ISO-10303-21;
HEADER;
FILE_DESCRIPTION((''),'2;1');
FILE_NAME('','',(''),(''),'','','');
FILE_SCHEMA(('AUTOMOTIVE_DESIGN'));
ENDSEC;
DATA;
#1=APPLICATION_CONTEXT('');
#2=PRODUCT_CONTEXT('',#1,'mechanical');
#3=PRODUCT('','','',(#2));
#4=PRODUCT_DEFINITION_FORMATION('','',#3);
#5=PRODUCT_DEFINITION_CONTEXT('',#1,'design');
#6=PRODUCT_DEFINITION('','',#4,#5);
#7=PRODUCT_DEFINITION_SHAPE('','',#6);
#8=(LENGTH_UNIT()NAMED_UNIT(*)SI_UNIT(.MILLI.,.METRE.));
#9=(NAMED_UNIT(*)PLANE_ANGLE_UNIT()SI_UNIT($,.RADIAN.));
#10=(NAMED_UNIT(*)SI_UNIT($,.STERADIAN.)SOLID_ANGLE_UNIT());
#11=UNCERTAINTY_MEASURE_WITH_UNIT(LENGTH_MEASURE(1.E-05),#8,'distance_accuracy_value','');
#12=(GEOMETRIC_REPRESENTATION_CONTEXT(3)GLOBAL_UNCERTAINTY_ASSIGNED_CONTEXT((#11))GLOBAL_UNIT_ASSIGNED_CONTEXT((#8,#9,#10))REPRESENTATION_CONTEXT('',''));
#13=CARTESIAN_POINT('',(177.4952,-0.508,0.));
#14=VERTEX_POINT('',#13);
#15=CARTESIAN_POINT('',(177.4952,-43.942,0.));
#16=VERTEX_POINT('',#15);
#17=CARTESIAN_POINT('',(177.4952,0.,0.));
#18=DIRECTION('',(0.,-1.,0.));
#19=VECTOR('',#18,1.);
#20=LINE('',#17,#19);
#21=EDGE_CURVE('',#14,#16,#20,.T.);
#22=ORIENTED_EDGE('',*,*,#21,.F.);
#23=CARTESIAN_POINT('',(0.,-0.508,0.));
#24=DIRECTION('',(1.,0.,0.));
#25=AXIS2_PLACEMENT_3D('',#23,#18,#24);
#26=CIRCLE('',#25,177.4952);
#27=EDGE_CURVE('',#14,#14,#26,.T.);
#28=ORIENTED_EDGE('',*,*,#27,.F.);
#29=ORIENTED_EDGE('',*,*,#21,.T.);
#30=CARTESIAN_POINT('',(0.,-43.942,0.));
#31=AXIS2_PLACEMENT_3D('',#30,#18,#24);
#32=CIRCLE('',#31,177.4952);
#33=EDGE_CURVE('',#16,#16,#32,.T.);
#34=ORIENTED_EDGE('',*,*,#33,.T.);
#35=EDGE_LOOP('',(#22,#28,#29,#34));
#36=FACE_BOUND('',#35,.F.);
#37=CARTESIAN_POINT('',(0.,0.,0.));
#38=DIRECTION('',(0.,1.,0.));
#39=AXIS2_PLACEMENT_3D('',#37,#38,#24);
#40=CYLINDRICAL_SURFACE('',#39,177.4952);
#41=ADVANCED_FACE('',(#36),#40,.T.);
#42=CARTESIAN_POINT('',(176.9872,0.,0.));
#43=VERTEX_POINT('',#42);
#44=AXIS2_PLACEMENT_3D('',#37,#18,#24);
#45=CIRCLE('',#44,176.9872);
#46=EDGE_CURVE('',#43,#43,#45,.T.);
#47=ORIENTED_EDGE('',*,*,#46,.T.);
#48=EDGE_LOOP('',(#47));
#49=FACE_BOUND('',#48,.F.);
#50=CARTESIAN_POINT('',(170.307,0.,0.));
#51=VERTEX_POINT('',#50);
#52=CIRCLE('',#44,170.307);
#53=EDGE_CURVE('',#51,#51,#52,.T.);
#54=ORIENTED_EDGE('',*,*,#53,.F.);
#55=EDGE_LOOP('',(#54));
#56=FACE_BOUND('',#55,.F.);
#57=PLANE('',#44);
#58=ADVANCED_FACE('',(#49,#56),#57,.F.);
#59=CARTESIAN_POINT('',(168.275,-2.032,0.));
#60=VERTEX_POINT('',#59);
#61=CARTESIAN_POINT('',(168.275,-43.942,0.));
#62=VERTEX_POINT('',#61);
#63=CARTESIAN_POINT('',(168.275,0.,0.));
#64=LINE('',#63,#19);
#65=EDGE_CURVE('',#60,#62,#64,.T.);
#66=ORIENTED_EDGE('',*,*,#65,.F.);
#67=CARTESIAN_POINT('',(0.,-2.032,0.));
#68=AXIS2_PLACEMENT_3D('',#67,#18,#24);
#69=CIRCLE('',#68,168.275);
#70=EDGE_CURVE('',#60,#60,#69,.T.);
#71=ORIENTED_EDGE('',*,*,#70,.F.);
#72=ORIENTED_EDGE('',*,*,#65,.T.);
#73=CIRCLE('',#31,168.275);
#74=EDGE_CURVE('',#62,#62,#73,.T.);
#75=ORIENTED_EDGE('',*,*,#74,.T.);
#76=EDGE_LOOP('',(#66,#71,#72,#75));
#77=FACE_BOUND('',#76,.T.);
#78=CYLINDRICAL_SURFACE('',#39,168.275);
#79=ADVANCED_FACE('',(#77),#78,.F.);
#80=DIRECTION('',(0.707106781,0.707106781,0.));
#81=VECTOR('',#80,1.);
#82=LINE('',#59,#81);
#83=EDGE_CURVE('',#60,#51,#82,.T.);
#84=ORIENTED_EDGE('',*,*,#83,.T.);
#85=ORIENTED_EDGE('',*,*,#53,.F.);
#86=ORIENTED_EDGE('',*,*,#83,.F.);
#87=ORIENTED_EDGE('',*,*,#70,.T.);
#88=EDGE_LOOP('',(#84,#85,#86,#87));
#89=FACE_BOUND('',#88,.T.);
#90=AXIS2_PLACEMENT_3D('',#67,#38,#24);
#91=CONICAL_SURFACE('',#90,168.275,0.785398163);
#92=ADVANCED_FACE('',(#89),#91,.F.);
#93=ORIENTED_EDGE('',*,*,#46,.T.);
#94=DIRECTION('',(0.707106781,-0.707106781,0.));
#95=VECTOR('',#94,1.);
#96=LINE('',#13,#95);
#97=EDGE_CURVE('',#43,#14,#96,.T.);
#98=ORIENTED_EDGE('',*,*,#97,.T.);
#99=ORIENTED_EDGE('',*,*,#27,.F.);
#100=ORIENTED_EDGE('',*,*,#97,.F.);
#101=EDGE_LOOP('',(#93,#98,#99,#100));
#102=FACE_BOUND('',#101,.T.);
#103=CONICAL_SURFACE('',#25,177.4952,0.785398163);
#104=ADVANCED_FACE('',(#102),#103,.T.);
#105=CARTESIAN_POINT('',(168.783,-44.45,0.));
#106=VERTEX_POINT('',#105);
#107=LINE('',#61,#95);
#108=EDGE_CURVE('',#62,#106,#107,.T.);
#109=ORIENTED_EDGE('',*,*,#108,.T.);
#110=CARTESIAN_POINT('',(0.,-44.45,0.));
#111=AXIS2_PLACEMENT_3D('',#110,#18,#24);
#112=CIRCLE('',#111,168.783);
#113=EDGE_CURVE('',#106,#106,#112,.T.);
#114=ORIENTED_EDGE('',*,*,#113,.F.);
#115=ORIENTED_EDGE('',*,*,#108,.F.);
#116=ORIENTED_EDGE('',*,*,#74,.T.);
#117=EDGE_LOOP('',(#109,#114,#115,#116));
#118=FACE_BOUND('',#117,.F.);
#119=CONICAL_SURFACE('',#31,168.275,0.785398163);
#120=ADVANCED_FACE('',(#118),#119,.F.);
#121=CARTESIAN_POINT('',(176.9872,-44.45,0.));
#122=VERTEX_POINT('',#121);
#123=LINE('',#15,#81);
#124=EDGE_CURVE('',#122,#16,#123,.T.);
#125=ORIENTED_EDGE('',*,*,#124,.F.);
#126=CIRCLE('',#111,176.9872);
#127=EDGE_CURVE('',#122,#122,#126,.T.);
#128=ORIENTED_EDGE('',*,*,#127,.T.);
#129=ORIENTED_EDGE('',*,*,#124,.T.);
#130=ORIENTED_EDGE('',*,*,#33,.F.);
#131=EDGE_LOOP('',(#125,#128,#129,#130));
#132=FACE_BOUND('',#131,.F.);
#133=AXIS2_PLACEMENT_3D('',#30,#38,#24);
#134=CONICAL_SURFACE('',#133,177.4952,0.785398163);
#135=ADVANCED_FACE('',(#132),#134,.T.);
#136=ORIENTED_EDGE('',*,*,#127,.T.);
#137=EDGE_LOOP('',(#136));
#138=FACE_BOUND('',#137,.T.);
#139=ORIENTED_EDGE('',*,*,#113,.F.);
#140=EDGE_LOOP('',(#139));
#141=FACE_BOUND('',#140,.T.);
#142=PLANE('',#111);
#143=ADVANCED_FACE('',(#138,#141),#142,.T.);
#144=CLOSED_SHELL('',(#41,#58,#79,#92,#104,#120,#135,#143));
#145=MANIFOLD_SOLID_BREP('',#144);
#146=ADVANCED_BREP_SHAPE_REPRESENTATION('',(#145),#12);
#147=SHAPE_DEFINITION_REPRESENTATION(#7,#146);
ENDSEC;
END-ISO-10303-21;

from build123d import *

# Parameters (mm, degrees)
F0_R     = 177.4952
F0_R_2   = 168.275
F1_DEPTH = 44.45
F2_SIZE  = 2.032
F3_SIZE  = 0.508


with BuildPart() as f1:
    # F0 (on Front) → F1 (new body)
    with BuildSketch(Plane.XZ):
        Circle(F0_R)
        Circle(F0_R_2, mode=Mode.SUBTRACT)
    extrude(amount=F1_DEPTH)

    # F2
    f2_edges = [f1.edges().sort_by_distance(p)[0] for p in [
        (-168.275, 0, 0),
    ]]
    chamfer(f2_edges, length=F2_SIZE)

    # F3
    f3_edges = [f1.edges().sort_by_distance(p)[0] for p in [
        (-168.275, -44.45, 0),
        (-177.4952, -44.45, 0),
        (-177.4952, 0, 0),
    ]]
    chamfer(f3_edges, length=F3_SIZE)


solid = f1.part
